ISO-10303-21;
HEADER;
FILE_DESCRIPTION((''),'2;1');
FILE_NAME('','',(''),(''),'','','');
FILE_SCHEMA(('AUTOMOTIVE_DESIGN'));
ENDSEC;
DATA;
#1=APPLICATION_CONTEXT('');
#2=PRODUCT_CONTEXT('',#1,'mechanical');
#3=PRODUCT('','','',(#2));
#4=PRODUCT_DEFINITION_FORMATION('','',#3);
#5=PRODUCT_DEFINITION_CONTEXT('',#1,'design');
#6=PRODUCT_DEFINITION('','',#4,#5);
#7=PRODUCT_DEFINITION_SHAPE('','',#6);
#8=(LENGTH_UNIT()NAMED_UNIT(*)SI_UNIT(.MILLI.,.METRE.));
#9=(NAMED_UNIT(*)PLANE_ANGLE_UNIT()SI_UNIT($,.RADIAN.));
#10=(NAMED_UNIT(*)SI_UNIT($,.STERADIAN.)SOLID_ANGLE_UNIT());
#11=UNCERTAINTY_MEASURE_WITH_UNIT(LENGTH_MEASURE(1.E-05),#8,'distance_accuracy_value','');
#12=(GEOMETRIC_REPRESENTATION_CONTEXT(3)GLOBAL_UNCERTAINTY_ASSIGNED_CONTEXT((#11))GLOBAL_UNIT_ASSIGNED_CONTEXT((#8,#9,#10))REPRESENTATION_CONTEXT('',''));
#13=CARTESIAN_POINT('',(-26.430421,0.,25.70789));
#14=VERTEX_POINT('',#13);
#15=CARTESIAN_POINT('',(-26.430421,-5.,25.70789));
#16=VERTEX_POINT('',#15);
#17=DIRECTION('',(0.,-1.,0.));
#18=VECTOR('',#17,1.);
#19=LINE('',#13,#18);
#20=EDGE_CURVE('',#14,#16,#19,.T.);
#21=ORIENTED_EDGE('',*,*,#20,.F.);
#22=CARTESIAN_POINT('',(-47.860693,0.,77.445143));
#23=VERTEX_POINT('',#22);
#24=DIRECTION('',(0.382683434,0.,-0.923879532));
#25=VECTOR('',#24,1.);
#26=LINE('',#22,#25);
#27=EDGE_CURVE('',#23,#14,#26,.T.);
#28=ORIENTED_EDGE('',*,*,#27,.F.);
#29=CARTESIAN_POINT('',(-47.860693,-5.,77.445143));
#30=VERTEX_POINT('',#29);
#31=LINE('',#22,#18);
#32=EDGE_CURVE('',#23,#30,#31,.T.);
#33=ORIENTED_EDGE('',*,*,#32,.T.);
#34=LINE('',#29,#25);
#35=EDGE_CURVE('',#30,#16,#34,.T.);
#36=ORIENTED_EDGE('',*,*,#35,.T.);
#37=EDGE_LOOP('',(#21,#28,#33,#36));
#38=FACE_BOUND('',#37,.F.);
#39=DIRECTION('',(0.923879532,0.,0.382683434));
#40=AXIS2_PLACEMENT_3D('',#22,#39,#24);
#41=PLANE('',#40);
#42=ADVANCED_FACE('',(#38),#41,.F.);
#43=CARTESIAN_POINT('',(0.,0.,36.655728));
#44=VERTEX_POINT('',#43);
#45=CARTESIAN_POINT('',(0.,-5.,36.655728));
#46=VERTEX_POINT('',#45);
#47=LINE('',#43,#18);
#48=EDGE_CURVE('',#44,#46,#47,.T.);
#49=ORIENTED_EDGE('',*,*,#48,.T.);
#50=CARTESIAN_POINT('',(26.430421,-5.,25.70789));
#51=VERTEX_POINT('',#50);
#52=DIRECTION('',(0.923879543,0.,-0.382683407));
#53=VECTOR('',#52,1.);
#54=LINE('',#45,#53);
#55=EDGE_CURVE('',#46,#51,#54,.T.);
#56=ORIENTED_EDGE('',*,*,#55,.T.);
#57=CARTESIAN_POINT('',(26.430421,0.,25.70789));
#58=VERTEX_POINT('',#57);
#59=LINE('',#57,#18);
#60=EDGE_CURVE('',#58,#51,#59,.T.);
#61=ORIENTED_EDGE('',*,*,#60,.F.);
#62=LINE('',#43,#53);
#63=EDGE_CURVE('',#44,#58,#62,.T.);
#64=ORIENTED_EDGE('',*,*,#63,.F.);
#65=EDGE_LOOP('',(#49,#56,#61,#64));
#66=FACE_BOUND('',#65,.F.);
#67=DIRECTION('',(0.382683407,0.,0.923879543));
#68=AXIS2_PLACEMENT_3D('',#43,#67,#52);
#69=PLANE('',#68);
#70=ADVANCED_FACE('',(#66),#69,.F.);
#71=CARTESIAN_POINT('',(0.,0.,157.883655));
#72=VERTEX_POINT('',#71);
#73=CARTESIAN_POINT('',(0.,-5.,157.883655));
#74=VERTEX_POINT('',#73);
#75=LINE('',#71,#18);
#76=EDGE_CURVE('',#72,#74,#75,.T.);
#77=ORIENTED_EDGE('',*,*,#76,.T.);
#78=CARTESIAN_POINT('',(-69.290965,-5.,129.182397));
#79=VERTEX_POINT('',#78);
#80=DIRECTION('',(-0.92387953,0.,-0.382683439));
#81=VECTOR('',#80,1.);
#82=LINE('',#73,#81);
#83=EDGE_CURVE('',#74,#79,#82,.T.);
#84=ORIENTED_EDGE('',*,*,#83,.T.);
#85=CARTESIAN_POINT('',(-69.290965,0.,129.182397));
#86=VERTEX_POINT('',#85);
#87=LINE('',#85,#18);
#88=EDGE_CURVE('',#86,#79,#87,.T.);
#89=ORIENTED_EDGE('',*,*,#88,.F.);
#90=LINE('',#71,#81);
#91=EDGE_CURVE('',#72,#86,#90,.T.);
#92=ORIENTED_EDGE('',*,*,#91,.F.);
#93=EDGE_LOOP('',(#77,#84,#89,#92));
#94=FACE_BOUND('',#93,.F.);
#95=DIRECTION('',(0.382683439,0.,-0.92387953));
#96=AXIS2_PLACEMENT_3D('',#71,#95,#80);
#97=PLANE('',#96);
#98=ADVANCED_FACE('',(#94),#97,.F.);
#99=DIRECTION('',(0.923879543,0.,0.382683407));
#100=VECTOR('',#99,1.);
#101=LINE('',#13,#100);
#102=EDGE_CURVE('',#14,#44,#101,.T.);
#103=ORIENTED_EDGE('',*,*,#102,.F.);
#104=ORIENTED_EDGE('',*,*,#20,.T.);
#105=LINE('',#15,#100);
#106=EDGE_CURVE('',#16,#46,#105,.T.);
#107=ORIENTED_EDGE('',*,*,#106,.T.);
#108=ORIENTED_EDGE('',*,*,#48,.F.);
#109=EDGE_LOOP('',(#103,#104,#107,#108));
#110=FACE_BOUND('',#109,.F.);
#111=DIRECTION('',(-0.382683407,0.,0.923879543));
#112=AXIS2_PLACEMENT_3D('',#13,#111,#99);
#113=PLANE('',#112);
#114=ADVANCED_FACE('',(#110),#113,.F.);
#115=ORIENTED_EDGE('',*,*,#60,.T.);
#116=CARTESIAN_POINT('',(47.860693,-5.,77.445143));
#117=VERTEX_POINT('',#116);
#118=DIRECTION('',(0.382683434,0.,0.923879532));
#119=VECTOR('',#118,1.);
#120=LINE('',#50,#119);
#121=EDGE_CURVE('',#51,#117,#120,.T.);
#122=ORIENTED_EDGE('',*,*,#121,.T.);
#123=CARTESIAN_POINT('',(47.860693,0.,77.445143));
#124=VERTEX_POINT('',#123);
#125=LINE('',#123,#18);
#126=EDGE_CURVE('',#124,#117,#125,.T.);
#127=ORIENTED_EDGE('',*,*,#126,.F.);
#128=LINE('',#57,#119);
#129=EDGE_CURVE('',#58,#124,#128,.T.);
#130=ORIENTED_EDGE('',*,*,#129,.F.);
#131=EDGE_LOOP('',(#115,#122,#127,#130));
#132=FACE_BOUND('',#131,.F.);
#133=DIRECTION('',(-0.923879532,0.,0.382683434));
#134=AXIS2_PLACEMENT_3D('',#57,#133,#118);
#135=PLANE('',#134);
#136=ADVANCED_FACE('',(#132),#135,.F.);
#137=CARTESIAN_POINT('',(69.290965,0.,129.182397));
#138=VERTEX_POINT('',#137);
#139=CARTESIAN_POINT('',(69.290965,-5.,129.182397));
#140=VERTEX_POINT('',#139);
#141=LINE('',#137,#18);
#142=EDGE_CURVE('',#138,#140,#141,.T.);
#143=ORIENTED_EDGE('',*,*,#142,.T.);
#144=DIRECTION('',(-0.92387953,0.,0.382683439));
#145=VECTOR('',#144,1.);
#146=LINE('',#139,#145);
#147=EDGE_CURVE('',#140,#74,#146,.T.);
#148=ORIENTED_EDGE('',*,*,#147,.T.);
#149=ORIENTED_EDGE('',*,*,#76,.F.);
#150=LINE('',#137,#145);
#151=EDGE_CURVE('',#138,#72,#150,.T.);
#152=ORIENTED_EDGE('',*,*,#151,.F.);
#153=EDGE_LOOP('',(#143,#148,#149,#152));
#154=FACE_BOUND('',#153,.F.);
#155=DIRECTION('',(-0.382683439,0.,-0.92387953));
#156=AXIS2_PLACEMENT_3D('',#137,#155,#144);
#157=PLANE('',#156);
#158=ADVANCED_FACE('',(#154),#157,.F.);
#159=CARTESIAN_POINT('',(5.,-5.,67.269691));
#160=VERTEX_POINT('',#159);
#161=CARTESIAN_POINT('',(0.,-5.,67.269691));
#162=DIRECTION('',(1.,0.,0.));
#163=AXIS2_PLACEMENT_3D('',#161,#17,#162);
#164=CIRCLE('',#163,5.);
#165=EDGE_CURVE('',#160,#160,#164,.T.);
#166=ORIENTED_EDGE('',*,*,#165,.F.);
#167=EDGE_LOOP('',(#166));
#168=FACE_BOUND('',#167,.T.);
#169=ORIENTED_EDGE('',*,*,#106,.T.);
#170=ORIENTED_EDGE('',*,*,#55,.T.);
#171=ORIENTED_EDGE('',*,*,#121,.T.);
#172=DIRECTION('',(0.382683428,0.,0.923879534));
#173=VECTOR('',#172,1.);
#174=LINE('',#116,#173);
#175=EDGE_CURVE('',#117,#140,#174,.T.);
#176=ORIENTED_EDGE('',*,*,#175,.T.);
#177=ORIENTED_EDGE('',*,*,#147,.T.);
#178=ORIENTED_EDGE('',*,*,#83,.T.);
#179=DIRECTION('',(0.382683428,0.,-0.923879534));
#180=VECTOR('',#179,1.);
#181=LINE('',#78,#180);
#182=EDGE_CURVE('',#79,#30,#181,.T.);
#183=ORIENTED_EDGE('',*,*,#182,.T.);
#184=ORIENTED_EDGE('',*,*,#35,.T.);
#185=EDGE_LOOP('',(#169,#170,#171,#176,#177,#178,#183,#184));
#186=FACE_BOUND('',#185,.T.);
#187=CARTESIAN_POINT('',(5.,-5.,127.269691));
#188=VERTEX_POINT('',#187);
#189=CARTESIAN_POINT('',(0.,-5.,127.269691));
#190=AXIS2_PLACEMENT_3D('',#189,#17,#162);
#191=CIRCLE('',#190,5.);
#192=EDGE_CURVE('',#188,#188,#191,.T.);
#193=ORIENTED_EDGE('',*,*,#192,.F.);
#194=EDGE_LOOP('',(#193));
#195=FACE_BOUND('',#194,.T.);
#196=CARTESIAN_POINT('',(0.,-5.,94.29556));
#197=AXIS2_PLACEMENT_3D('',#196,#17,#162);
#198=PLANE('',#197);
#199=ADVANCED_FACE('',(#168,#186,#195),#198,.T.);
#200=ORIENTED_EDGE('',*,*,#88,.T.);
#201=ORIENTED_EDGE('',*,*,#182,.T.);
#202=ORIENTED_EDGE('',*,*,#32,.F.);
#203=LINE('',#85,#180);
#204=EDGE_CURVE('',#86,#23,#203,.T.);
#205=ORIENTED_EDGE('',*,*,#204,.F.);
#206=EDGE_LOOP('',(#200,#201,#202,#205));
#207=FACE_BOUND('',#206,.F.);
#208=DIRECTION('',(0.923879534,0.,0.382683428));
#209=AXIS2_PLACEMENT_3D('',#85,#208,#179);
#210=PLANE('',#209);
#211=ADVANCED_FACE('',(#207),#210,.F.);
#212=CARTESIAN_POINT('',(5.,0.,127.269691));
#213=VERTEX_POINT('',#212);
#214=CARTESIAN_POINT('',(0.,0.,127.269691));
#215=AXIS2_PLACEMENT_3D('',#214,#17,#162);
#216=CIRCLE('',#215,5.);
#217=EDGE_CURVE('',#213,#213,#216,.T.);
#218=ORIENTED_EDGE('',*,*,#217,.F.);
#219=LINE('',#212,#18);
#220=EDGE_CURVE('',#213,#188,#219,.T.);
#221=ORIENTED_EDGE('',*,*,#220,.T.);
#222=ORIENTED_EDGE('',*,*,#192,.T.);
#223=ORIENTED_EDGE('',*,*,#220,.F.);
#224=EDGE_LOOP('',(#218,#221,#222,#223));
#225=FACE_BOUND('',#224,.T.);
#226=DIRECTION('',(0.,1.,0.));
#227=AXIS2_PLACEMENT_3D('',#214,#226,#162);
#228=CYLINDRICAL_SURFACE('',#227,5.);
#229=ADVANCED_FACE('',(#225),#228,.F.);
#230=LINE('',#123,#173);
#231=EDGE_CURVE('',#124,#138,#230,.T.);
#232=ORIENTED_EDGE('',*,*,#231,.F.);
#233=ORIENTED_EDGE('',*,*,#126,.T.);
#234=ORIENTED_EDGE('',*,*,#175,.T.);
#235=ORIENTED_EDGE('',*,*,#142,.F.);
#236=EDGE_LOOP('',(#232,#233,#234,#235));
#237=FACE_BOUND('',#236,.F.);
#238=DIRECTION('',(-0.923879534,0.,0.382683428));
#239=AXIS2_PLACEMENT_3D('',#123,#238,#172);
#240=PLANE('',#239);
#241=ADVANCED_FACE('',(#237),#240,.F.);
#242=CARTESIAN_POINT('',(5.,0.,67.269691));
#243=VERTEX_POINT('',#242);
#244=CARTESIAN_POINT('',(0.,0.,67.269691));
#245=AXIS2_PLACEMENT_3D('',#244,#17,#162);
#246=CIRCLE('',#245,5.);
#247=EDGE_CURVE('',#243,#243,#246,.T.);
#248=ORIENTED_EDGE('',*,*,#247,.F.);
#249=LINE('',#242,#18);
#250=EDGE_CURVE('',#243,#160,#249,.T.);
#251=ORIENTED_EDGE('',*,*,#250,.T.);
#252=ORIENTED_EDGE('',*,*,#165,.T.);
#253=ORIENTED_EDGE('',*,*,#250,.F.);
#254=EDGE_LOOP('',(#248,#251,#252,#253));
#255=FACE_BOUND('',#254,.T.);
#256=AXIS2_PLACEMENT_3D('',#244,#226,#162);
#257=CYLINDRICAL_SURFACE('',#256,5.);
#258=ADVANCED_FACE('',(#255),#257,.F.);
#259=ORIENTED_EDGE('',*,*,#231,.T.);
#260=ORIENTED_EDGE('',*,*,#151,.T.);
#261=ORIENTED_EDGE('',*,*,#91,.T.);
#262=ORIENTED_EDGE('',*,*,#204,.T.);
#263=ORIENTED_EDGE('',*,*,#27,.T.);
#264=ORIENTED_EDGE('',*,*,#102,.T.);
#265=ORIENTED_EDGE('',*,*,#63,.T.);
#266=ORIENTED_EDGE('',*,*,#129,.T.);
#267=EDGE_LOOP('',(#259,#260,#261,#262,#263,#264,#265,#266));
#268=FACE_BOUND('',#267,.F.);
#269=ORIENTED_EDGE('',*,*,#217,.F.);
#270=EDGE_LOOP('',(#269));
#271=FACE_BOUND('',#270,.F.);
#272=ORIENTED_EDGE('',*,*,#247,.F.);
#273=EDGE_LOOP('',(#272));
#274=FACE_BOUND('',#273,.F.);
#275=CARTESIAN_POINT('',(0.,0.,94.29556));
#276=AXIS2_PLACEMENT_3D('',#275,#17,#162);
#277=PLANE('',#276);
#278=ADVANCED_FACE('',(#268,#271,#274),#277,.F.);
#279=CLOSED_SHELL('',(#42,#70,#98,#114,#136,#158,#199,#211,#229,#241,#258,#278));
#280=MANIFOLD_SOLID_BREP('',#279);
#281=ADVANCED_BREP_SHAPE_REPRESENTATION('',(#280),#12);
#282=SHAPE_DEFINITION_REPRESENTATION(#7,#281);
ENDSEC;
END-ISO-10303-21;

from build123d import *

# Parameters (mm, degrees)
F0_R     = 5
F1_DEPTH = 5


with BuildPart() as f1:
    # F0 (on Front) → F1 (new body)
    with BuildSketch(Plane.XZ):
        Polygon((69.290965, 129.182397), (0, 157.883655), (-69.290965, 129.182397), (-47.860693, 77.445143), (-26.430421, 25.70789), (0, 36.655728), (26.430421, 25.70789), (47.860693, 77.445143), align=None)
        with Locations((0, 67.269691)):
            Circle(F0_R, mode=Mode.SUBTRACT)
        with Locations((0, 127.269691)):
            Circle(F0_R, mode=Mode.SUBTRACT)
    extrude(amount=F1_DEPTH)


solid = f1.part
